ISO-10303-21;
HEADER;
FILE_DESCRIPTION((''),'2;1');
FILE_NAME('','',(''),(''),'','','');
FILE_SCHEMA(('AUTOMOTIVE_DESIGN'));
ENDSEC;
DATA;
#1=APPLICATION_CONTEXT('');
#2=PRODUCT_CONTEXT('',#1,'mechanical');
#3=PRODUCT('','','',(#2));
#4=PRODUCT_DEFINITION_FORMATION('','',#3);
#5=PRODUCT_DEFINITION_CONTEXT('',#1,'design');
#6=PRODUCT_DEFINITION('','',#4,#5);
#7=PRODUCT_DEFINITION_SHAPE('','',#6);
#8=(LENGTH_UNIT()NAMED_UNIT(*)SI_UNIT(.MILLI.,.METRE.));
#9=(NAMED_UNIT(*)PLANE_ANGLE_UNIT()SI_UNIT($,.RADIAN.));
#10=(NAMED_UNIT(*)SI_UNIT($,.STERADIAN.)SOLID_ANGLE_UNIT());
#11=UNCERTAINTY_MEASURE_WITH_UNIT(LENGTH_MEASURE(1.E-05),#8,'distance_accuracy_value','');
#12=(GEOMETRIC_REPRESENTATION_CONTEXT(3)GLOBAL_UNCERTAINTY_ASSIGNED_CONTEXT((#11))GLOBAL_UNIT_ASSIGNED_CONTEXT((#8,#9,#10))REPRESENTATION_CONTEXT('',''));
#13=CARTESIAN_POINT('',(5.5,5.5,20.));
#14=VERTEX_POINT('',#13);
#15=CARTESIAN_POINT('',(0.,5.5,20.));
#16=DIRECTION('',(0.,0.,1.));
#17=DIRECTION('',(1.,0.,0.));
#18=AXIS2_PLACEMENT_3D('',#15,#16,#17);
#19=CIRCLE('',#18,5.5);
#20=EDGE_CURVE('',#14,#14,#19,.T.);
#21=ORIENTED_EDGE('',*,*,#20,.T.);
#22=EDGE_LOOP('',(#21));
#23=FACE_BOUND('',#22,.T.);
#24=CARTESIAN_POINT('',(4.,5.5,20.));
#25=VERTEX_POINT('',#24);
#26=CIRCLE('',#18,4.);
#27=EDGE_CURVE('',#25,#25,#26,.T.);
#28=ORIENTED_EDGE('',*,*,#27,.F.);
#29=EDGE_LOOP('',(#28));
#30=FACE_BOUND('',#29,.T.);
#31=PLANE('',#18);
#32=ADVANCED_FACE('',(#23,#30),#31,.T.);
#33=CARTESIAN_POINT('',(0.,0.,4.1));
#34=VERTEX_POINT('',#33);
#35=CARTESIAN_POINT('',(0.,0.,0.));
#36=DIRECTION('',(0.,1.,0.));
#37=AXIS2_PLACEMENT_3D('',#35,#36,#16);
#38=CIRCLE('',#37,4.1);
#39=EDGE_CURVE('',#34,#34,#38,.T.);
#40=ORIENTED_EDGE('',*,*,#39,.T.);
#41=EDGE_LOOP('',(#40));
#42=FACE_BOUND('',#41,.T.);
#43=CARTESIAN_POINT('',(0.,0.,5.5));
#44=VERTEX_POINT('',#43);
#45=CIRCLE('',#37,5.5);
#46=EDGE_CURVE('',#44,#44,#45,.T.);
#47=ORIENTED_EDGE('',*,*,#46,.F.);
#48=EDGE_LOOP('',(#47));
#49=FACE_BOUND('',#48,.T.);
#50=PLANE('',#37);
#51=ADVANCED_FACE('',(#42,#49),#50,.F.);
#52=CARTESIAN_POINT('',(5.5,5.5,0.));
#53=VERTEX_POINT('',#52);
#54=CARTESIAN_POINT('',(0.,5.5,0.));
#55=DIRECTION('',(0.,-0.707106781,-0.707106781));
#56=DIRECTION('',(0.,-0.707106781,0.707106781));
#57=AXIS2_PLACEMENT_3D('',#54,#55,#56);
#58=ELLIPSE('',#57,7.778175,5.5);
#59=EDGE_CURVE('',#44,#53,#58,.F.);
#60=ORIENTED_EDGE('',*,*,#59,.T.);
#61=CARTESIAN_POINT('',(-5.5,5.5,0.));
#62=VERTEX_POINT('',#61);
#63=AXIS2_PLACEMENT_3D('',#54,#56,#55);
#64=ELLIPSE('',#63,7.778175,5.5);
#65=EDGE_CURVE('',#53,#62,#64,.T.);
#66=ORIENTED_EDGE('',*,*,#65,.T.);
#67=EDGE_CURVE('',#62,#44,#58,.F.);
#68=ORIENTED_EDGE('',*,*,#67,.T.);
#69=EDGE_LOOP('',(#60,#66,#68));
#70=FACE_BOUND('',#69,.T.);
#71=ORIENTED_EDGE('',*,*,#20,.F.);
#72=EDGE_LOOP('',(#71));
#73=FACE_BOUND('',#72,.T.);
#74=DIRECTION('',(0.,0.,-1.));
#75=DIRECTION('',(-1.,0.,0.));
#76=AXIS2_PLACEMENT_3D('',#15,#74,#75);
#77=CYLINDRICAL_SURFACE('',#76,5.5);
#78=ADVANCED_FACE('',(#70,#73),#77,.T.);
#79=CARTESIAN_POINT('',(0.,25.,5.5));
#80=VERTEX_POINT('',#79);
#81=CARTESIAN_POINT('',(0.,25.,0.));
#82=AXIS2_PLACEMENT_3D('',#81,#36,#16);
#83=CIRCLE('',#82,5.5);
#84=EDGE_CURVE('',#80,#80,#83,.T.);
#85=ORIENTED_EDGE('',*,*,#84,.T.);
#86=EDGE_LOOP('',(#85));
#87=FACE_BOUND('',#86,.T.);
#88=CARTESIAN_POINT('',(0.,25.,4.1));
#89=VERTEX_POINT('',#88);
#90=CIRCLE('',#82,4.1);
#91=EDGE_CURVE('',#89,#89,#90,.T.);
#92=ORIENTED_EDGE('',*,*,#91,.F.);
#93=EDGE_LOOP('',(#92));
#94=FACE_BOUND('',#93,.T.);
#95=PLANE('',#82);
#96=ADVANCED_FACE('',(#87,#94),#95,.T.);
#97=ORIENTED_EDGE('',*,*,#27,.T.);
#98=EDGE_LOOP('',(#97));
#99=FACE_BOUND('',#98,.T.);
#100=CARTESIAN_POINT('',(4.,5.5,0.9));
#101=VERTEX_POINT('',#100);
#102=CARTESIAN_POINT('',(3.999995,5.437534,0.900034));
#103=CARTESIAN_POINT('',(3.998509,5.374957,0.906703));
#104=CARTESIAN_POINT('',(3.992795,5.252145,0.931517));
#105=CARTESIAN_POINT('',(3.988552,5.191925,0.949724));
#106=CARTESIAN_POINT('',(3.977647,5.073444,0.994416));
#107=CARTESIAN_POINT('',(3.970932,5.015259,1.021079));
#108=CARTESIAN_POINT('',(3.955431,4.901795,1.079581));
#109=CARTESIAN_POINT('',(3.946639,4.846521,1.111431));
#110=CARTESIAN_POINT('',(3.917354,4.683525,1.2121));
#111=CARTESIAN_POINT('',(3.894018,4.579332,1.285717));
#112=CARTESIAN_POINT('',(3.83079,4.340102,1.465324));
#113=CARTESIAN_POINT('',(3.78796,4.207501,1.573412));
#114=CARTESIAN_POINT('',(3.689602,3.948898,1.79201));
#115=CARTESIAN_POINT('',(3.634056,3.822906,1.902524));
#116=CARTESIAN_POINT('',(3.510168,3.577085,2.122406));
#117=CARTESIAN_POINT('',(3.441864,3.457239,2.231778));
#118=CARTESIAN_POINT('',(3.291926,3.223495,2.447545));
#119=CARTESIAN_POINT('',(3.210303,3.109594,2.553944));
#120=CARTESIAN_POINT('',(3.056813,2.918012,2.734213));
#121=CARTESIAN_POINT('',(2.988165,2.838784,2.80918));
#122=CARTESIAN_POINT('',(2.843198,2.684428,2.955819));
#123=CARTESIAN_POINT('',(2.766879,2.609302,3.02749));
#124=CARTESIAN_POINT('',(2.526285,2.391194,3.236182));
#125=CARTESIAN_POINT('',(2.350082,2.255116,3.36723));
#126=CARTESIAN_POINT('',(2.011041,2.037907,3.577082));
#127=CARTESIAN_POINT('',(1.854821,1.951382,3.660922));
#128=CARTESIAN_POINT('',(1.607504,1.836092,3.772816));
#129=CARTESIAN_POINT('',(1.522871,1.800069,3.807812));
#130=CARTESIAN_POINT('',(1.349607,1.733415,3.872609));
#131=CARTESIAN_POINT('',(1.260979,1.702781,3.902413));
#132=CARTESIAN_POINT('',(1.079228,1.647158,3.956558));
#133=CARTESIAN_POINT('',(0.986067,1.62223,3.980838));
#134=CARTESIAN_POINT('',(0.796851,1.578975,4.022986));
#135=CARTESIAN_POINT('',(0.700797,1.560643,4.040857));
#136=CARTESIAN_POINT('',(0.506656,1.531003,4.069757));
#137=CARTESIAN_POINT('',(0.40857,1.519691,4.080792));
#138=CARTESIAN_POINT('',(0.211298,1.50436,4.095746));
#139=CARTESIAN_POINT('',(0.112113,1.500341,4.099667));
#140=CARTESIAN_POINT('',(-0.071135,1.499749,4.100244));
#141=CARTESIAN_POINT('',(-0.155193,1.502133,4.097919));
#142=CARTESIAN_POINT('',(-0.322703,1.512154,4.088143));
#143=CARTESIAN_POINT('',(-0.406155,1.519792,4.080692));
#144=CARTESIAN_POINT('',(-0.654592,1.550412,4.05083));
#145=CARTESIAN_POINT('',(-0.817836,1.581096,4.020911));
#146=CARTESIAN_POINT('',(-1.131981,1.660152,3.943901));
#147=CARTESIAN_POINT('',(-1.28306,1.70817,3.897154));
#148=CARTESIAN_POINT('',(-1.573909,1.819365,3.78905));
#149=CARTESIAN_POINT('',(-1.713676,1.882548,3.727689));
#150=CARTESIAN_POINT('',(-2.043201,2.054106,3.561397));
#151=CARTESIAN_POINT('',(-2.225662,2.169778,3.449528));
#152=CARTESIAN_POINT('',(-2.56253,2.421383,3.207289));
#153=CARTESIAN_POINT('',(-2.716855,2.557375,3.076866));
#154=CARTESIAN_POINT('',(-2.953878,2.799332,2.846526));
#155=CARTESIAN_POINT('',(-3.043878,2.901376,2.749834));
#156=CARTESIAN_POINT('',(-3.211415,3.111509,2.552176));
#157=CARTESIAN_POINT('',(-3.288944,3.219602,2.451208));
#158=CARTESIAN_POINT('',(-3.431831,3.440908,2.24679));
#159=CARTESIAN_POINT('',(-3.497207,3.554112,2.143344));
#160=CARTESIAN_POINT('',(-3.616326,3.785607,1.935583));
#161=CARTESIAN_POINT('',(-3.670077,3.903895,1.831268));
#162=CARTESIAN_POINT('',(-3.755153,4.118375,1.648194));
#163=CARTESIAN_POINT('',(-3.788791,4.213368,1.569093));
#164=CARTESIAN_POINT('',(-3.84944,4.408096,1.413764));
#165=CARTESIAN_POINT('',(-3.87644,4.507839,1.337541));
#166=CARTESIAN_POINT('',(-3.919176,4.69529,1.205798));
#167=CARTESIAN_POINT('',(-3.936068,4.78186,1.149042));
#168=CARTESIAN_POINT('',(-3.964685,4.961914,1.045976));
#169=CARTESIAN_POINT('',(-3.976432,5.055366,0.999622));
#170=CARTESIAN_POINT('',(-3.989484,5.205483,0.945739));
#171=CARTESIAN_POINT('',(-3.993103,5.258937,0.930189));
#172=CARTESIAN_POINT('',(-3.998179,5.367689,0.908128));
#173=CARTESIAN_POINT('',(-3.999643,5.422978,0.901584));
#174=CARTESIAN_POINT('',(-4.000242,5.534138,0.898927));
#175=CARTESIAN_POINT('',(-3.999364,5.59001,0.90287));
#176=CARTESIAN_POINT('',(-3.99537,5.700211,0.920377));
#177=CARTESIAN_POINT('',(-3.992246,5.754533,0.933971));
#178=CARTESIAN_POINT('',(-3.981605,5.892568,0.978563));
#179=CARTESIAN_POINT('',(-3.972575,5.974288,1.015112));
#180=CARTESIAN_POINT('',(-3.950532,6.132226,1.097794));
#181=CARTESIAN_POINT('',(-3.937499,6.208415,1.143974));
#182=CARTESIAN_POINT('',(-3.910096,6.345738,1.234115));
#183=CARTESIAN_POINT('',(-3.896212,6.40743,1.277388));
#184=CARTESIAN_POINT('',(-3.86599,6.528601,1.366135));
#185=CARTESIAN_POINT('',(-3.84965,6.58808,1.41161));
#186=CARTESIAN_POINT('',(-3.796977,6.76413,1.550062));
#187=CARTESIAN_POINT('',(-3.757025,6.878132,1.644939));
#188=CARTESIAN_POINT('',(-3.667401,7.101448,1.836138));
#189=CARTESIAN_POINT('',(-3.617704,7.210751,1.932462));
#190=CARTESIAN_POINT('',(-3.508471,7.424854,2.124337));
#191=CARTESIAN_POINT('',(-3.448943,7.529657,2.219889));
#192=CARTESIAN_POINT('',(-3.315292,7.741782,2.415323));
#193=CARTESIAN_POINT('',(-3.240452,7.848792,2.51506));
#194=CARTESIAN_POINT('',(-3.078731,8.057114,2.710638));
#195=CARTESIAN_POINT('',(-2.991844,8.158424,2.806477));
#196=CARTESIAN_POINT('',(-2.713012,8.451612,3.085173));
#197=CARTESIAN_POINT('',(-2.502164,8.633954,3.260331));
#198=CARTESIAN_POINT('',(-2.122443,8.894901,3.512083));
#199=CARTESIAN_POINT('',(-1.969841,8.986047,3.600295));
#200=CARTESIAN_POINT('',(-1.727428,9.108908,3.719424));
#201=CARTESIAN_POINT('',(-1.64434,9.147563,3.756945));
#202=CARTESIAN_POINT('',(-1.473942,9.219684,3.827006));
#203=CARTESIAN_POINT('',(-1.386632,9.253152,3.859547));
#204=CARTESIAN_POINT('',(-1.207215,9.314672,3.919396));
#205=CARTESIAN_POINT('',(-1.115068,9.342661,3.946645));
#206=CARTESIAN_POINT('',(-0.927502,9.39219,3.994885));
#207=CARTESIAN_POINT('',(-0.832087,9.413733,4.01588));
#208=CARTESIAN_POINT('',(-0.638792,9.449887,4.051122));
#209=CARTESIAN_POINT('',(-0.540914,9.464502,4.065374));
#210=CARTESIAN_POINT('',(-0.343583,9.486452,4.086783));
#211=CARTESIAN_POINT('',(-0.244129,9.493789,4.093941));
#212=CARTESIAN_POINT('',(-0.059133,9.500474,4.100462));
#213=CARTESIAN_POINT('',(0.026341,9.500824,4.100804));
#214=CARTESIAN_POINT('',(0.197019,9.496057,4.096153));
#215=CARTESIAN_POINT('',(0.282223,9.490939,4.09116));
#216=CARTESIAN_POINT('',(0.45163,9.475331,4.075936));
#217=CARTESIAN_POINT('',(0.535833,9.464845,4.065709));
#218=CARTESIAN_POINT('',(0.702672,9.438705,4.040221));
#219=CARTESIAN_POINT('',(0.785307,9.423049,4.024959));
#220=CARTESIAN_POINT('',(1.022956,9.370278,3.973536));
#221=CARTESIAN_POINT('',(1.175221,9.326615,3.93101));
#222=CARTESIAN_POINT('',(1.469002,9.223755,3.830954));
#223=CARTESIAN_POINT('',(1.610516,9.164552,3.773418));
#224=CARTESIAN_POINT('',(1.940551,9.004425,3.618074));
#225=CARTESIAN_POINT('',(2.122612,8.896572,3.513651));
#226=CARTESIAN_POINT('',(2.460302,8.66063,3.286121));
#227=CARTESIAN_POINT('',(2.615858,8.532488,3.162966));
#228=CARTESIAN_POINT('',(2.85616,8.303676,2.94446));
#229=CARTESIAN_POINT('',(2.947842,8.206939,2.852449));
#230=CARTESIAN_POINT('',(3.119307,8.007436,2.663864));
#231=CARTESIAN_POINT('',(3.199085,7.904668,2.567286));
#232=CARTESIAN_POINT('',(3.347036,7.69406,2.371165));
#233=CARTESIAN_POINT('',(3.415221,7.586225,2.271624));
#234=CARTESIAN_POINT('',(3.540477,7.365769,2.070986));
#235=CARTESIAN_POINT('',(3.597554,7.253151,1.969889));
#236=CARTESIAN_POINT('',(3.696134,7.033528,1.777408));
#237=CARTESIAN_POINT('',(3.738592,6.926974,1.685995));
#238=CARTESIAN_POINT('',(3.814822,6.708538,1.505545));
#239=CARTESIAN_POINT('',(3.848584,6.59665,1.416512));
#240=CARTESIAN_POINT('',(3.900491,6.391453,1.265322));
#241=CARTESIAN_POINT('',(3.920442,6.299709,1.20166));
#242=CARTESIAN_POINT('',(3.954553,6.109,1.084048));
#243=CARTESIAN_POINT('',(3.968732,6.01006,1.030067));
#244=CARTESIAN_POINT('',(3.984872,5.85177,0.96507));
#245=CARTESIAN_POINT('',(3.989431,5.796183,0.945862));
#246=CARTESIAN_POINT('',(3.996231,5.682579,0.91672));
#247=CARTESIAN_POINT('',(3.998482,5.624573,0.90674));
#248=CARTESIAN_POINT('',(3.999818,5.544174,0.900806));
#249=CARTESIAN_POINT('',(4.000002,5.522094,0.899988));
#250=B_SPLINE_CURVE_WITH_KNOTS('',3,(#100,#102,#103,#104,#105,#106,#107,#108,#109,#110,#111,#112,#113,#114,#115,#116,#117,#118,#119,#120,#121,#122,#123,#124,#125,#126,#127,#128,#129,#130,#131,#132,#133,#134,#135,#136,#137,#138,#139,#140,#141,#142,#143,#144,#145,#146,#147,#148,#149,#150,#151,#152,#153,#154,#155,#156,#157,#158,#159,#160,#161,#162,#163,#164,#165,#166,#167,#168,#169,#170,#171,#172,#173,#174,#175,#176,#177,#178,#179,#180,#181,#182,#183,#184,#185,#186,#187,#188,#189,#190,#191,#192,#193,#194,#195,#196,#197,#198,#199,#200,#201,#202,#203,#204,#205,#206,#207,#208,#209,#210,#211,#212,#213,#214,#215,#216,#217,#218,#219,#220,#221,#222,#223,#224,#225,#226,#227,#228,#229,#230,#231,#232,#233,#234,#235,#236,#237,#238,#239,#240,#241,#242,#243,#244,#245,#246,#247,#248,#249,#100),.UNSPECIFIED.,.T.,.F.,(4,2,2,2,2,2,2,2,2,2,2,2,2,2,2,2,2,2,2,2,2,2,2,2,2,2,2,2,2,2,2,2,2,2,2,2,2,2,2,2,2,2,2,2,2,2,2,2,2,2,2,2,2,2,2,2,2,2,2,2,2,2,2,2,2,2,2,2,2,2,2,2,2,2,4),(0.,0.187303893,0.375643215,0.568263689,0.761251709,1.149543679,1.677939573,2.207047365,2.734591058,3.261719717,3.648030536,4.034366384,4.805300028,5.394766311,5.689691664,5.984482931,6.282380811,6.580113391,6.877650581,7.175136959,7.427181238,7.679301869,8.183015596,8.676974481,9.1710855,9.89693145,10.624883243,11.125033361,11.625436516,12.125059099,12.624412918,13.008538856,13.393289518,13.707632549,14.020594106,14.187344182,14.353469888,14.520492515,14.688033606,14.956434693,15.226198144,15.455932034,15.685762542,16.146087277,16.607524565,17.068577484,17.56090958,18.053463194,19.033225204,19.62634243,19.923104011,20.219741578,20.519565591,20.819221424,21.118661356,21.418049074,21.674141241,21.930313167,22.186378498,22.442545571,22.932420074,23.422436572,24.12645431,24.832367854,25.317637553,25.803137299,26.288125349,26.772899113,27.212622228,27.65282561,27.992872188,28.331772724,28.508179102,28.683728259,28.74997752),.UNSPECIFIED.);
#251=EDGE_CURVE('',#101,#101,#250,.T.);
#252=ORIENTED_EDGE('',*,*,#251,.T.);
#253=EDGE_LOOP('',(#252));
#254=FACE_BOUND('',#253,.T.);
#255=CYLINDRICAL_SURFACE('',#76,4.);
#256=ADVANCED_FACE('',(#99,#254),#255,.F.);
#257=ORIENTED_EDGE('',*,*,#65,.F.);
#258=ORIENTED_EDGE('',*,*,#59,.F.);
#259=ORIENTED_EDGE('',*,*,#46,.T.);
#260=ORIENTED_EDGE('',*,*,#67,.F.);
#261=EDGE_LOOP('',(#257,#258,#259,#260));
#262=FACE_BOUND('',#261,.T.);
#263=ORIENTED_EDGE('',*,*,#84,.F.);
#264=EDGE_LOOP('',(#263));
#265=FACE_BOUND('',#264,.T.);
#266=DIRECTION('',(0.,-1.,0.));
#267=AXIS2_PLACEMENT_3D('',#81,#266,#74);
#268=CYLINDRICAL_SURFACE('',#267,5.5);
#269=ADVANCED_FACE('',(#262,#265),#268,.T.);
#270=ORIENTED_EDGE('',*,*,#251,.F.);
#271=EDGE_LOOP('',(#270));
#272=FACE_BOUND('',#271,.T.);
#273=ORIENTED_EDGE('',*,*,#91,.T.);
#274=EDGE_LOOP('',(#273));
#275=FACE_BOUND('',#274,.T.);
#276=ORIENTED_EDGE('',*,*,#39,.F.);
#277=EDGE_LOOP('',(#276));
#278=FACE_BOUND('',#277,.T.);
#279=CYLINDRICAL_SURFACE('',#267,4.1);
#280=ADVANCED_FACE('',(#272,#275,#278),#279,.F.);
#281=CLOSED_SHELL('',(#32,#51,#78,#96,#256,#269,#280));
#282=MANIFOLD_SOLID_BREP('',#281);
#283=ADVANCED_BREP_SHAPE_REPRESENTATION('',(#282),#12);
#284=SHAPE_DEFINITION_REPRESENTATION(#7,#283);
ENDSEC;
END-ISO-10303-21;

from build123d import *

# Parameters (mm, degrees)
SKETCH_1_R          = 5.5
SKETCH_1_R_2        = 4.1
EXTRUDE_1_DEPTH     = 25
SKETCH_2_R          = 5.5
SKETCH_2_R_2        = 4
EXTRUDE_2_DEPTH     = 20
SKETCH_4_R          = 4.1
CUT_EXTRUDE_1_DEPTH = 20
CUT_EXTRUDE_START   = -20
SKETCH_5_R          = 4
CUT_EXTRUDE_2_DEPTH = 20


with BuildPart() as part:
    # 草图1 → 凸台-拉伸1 (new body)
    with BuildSketch(Plane(origin=(0, 0, 0), x_dir=(1, 0, 0), z_dir=(0, 1, 0))):
        with Locations(Location((0, 0, 0), (0, 0, 270))):
            Circle(SKETCH_1_R)
        with Locations(Location((0, 0, 0), (0, 0, 270))):
            Circle(SKETCH_1_R_2, mode=Mode.SUBTRACT)
    extrude(amount=EXTRUDE_1_DEPTH)

    # 草图2 → 凸台-拉伸2 (add)
    with BuildSketch(Plane.XY):
        with Locations((0, 5.5)):
            Circle(SKETCH_2_R)
        with Locations(Location((0, 5.5, 0), (0, 0, 180))):
            Circle(SKETCH_2_R_2, mode=Mode.SUBTRACT)
    extrude(amount=EXTRUDE_2_DEPTH)

    # 草图4 → 切除-拉伸1 (cut)
    with BuildSketch(Plane(origin=(0, 0, 0), x_dir=(1, 0, 0), z_dir=(0, 1, 0))):
        with Locations(Location((0, 0, 0), (0, 0, 270))):
            Circle(SKETCH_4_R)
    extrude(amount=CUT_EXTRUDE_1_DEPTH, mode=Mode.SUBTRACT)

    # 草图5 → 切除-拉伸2 (cut)
    with BuildSketch(Plane.XY.offset(20).offset(CUT_EXTRUDE_START)):
        with Locations((0, 5.5)):
            Circle(SKETCH_5_R)
    extrude(amount=CUT_EXTRUDE_2_DEPTH, mode=Mode.SUBTRACT)


solid = part.part
